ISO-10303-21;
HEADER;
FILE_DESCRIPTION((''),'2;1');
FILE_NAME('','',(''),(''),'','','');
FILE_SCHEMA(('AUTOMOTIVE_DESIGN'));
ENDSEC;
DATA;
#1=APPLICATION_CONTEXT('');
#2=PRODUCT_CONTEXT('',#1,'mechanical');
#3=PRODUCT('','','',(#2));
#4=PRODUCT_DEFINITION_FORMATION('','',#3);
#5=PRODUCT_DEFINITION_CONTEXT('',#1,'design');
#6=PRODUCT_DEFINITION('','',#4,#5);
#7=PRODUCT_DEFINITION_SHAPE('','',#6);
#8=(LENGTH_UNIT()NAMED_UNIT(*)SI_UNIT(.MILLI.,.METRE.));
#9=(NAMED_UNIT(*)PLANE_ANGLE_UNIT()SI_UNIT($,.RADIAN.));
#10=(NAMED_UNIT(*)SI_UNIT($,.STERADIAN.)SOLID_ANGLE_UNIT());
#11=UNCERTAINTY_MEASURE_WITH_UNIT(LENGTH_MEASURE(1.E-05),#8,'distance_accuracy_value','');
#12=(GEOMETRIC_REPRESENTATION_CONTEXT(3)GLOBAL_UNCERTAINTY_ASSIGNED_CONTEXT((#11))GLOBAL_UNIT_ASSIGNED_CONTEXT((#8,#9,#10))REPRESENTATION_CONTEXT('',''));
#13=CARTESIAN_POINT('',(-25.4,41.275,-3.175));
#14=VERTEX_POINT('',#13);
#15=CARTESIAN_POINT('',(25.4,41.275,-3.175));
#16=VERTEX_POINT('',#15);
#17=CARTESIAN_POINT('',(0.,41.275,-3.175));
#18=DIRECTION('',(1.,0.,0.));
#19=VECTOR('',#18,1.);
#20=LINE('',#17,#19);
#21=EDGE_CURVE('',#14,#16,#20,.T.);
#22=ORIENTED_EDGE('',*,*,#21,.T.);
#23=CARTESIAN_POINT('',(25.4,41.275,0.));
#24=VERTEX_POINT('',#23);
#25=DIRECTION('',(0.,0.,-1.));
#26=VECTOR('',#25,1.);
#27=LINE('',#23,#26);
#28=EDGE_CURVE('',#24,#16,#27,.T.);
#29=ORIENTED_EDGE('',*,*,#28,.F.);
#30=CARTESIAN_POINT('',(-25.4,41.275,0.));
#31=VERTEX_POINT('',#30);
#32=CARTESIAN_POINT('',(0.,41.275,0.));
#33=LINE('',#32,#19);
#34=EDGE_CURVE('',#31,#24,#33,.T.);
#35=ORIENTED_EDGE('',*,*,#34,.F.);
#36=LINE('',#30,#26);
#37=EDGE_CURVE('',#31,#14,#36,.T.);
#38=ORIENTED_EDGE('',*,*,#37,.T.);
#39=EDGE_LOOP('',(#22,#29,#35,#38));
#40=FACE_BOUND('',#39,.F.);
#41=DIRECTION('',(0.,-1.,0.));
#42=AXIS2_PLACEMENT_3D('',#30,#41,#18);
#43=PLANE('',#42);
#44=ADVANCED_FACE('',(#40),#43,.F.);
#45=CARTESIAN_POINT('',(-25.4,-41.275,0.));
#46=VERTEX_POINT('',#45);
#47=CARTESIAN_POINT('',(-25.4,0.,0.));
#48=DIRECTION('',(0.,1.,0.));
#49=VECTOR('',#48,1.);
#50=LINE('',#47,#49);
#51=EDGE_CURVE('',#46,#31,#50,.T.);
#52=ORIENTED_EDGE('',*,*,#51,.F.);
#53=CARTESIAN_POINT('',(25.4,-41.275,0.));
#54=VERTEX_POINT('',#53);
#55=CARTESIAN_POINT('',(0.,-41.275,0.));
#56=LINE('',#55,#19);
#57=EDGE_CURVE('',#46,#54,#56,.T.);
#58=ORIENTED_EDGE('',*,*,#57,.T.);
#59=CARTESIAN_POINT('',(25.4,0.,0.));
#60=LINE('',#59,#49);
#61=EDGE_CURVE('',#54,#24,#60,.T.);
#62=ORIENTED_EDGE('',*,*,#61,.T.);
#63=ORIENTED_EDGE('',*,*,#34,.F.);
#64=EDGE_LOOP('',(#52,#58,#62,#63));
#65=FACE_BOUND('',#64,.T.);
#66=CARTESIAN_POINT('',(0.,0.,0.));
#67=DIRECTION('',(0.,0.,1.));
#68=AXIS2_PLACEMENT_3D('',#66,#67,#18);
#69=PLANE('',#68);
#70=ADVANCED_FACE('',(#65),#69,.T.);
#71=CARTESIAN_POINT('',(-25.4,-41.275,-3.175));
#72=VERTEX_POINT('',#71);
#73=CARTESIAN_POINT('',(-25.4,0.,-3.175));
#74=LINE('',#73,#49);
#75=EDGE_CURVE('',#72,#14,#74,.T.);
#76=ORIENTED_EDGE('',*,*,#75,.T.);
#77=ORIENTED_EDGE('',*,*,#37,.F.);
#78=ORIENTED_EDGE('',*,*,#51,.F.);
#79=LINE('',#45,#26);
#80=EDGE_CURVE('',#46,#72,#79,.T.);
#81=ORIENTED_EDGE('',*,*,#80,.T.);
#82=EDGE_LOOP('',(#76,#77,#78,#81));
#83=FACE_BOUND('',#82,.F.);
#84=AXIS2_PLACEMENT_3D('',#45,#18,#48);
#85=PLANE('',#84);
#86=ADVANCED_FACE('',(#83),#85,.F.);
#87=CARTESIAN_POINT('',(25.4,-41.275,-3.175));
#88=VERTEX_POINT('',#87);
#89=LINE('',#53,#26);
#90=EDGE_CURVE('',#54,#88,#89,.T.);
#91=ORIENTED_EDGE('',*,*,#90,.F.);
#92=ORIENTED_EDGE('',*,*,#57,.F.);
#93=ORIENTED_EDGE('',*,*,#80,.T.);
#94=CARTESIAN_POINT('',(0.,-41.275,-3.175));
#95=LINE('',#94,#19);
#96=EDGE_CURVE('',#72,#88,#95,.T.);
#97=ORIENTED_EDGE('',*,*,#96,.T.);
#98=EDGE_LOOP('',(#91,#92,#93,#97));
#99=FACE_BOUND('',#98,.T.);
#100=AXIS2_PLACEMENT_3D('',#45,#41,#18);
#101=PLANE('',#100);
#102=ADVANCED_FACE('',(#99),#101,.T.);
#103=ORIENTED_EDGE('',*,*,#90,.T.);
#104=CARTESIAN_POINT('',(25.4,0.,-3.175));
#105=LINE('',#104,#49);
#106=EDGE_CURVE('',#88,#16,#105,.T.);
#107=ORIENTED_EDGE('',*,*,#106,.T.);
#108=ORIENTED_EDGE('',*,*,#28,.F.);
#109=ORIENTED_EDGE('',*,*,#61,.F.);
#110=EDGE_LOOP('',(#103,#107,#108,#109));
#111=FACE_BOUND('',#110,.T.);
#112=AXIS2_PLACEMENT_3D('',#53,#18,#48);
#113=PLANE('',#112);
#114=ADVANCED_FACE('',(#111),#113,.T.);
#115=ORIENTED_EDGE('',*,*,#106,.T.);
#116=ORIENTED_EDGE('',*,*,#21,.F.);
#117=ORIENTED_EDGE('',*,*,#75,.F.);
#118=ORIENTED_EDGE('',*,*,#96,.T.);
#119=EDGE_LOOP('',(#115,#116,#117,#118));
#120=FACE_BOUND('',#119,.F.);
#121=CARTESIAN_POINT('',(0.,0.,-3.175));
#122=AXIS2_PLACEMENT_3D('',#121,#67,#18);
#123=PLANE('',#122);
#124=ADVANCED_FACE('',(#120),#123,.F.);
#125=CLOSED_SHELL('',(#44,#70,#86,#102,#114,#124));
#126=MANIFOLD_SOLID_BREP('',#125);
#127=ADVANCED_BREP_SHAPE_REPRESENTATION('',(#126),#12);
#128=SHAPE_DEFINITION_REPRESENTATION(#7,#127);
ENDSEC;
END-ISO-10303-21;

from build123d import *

# Parameters (mm, degrees)
F0_W     = 50.8
F0_H     = 82.55
F3_DEPTH = 3.175
F4_D     = 26.19502
F5_DEPTH = 50.8


with BuildPart() as f3:
    # F0 (on Top) → F3 (new body)
    with BuildSketch(Plane.XY):
        Rectangle(F0_W, F0_H)
    extrude(amount=-F3_DEPTH)

    # F4 (through all)
    with Locations(Plane.XY):
        with Locations((0, -22.225)):
            Hole(F4_D / 2)

    # F5 (add): a face of the model
    f5_faces = [f3.faces().sort_by_distance(p)[0] for p in [
        (25.4, 0, -1.5875),
    ]]
    extrude(f5_faces, amount=-F5_DEPTH)


solid = f3.part
